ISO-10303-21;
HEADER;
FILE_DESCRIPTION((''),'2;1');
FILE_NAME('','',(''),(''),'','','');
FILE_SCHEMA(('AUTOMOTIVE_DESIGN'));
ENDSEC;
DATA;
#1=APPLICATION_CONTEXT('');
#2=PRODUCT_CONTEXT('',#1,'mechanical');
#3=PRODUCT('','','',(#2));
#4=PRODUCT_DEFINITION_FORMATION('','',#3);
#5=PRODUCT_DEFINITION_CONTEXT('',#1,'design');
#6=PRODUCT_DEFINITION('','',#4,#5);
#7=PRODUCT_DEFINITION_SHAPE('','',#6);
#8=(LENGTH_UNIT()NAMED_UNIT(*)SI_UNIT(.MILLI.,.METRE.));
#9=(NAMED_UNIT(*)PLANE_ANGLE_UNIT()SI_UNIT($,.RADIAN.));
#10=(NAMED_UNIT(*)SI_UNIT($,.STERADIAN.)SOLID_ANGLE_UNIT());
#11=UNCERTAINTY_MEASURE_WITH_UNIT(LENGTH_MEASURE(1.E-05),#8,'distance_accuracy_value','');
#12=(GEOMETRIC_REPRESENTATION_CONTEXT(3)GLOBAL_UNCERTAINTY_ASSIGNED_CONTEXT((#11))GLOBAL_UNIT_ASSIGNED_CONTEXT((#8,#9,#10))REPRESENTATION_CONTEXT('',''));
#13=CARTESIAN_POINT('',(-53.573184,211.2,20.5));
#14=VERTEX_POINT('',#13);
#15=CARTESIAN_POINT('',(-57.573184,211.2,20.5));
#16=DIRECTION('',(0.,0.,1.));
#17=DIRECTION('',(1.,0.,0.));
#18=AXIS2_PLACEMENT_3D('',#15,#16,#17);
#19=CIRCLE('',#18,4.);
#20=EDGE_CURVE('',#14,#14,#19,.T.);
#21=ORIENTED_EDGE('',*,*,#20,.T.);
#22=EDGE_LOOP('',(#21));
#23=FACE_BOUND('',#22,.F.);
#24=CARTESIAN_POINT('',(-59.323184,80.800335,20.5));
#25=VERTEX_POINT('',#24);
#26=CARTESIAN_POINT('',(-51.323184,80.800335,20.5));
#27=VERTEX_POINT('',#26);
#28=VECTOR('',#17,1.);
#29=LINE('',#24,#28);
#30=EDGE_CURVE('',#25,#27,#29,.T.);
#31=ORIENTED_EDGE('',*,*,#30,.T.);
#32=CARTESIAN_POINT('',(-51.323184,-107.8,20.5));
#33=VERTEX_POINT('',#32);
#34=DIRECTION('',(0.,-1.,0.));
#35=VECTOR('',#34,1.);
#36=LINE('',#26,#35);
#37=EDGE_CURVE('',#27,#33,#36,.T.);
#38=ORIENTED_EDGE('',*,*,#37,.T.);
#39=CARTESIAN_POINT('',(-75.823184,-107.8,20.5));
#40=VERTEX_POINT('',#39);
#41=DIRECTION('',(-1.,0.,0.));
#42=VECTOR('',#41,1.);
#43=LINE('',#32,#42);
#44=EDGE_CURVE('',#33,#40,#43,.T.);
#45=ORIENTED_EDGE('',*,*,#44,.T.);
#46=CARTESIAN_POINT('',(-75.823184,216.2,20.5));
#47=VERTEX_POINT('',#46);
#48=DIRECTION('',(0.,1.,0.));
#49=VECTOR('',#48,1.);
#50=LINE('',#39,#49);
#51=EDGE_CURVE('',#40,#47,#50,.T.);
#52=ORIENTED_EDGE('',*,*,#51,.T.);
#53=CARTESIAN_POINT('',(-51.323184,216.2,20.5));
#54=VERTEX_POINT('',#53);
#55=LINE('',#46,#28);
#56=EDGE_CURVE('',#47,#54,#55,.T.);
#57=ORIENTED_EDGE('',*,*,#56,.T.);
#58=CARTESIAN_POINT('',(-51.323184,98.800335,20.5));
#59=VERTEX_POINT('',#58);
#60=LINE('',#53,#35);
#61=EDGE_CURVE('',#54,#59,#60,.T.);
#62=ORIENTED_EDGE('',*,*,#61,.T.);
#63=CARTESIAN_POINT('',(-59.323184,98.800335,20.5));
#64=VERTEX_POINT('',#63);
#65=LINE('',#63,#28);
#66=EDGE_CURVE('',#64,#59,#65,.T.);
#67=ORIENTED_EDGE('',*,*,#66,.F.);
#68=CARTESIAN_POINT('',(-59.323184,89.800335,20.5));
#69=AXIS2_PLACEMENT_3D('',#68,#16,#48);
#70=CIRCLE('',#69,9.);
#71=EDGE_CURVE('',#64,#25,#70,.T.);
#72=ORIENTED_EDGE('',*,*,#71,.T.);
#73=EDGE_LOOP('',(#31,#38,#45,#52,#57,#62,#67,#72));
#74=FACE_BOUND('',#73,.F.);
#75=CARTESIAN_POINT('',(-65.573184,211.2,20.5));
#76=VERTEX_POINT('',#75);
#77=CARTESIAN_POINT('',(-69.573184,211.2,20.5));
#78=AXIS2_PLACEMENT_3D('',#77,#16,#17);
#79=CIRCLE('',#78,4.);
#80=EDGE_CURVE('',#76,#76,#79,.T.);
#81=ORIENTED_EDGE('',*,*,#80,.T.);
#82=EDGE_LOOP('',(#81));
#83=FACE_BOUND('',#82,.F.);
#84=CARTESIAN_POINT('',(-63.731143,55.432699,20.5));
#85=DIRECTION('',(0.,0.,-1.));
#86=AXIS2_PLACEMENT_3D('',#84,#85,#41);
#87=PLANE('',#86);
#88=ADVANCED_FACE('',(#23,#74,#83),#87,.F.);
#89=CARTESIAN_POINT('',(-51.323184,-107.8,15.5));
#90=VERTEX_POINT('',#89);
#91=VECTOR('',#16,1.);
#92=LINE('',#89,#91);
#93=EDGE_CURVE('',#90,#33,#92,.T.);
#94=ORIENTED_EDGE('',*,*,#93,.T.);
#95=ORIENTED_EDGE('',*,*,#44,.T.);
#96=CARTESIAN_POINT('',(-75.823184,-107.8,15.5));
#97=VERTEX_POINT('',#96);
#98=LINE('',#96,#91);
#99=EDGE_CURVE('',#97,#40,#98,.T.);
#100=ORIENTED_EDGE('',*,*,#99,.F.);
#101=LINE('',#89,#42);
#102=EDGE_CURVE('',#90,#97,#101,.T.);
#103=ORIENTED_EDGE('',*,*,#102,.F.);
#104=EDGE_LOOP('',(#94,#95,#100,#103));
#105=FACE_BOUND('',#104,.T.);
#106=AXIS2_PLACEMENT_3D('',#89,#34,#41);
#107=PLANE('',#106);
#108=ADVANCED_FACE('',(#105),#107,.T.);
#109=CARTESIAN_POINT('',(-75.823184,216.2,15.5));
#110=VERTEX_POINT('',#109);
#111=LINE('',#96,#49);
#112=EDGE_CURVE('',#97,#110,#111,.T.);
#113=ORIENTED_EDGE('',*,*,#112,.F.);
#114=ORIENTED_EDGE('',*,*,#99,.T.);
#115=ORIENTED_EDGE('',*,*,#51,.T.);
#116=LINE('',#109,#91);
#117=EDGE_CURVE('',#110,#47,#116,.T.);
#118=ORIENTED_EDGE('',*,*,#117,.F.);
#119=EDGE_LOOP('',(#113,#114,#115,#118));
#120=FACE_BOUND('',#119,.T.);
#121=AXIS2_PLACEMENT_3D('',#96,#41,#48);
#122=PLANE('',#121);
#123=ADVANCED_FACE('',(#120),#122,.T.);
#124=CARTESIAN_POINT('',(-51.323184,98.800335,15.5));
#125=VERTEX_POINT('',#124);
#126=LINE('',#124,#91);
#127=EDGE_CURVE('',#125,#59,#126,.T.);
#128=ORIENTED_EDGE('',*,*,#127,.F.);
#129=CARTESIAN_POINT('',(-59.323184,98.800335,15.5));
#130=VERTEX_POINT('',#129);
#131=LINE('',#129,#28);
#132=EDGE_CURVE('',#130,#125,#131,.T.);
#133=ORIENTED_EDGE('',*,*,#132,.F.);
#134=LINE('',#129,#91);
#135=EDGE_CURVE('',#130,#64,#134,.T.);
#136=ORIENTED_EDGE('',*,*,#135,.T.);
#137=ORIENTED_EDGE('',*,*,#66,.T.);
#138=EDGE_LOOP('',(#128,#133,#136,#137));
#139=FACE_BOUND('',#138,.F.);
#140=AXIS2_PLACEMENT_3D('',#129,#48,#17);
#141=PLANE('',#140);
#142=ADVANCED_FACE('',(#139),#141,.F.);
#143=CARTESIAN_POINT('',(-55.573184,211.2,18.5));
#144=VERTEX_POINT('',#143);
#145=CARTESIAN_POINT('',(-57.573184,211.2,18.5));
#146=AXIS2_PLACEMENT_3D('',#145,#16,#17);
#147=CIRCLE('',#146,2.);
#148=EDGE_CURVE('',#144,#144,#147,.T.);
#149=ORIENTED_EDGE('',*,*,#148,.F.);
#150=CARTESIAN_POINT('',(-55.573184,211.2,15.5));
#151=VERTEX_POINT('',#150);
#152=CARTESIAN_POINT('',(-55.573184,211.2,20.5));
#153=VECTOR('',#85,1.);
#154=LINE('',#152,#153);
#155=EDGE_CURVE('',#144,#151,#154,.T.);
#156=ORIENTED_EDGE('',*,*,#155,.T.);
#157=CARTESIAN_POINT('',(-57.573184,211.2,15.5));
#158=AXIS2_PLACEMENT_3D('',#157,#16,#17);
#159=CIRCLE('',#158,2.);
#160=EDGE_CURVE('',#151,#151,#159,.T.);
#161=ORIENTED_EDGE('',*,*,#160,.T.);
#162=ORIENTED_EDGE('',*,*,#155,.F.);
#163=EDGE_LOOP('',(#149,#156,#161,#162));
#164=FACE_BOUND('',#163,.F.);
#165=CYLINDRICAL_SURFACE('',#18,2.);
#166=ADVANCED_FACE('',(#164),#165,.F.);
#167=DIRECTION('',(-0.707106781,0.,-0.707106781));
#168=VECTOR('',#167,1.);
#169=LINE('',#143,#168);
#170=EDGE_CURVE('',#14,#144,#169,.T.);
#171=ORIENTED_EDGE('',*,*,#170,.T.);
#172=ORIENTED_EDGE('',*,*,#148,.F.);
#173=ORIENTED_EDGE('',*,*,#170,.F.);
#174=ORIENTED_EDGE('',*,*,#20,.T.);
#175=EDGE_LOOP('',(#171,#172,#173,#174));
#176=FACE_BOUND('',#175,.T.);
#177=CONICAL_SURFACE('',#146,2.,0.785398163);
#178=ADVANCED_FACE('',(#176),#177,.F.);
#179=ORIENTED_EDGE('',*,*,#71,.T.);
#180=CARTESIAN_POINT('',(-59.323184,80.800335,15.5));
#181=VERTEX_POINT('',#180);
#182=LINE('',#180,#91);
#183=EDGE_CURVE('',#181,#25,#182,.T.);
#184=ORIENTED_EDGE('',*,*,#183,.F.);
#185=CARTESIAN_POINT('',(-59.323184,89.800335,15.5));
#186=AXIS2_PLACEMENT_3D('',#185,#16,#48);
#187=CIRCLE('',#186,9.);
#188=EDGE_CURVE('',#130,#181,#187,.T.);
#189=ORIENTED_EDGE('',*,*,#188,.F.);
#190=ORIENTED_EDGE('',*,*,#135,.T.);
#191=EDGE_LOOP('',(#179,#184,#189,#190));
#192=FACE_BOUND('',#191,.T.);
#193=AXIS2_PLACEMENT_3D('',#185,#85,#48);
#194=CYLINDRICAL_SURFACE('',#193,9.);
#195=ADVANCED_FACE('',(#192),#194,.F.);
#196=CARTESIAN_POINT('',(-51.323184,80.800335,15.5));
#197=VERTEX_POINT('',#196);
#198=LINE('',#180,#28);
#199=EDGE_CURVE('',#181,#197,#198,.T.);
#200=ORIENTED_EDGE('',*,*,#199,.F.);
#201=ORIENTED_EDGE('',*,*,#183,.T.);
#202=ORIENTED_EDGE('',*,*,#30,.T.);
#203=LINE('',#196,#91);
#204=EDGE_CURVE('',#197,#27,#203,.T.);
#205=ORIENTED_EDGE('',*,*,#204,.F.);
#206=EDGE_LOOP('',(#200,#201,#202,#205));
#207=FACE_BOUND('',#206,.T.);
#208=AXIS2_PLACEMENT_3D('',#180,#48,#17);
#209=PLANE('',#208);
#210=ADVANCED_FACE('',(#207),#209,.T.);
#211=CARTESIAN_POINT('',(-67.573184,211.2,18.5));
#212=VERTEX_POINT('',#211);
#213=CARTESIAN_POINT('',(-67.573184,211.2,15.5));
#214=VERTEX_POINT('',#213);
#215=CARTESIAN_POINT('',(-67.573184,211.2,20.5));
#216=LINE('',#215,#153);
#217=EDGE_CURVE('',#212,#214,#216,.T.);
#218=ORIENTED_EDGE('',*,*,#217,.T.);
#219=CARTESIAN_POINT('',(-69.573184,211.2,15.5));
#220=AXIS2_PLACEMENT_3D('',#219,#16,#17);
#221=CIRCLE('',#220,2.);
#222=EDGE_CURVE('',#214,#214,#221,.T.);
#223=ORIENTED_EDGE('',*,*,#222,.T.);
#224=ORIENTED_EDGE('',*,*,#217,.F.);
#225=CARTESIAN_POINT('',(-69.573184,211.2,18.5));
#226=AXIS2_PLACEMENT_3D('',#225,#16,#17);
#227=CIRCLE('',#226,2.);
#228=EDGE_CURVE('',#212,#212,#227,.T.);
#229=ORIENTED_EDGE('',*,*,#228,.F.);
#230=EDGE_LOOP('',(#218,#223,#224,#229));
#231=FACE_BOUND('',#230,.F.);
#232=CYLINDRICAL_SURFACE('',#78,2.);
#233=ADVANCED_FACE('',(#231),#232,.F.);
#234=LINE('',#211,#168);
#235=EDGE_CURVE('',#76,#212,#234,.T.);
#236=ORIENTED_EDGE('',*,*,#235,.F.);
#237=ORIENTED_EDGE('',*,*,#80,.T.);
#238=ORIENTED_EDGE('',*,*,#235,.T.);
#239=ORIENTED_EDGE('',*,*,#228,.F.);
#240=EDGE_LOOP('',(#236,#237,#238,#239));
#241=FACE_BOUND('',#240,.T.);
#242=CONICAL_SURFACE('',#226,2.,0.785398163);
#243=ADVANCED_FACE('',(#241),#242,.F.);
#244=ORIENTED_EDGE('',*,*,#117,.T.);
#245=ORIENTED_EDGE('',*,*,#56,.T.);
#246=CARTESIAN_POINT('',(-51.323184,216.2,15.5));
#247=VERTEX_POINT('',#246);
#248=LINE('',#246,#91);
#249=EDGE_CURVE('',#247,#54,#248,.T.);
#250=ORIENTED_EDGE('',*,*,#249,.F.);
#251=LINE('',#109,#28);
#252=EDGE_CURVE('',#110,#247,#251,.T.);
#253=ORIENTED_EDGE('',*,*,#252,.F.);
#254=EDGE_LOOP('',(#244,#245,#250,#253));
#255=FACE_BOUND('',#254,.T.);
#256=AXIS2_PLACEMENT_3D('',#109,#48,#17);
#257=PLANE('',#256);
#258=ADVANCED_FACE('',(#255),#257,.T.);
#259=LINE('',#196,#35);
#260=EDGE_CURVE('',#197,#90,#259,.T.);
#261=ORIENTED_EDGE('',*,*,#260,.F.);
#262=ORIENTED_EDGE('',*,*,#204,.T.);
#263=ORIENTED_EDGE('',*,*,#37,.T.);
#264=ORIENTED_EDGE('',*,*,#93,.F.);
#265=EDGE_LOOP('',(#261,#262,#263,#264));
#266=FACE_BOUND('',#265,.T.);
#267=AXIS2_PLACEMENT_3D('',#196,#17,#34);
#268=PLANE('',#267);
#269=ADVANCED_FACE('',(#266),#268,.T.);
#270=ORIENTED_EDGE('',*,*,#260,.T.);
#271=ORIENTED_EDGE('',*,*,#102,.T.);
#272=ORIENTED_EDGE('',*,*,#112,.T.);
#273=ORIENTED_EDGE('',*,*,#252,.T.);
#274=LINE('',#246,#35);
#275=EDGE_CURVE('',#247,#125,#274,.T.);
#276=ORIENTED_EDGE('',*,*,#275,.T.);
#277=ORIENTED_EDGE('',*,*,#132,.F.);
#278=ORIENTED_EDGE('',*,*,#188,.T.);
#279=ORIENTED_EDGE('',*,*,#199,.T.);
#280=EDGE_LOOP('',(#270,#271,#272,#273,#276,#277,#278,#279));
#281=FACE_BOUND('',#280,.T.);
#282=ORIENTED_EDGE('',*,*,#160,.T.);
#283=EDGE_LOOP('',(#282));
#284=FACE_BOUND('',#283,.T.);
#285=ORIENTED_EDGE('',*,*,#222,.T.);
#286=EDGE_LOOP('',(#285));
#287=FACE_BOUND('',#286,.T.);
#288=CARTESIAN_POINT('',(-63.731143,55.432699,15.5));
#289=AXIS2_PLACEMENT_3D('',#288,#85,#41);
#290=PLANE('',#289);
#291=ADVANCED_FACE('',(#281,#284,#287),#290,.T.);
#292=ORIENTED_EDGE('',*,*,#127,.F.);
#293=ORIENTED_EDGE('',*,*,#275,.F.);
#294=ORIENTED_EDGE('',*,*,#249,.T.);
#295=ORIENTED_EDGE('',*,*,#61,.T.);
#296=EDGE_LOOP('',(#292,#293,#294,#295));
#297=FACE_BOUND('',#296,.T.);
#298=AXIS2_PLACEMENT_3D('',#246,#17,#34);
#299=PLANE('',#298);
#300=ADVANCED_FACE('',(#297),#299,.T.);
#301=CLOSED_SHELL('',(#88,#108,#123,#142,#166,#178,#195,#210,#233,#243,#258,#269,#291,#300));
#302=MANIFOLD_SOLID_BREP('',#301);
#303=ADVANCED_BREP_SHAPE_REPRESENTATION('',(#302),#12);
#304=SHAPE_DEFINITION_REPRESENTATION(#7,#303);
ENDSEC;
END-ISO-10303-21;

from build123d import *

# Parameters (mm, degrees)
PAD028_DEPTH    = 5
SKETCH060_R     = 2
POCKET038_DEPTH = 5.001
CHAMFER022_SIZE = 2


with BuildPart() as part:
    # Sketch055 → Pad028 (new body)
    with BuildSketch(Plane.XY):
        with BuildLine():
            Line((98.676816, 80.800335), (98.676816, -107.8))
            Line((98.676816, -107.8), (74.176816, -107.8))
            Line((74.176816, -107.8), (74.176816, 216.2))
            Line((74.176816, 216.2), (98.676816, 216.2))
            Line((98.676816, 216.2), (98.676816, 98.800335))
            Line((90.676816, 98.800335), (98.676816, 98.800335))
            ThreePointArc((90.676816, 98.800335), (81.676816, 89.800335), (90.676816, 80.800335))
            Line((90.676816, 80.800335), (98.676816, 80.800335))
        make_face()
    extrude(amount=PAD028_DEPTH)

    # Sketch060 (on Face10 of Pad028) → Pocket038 (cut, through all)
    with BuildSketch(Plane.XY.offset(5)):
        with Locations((80.426816, 211.2)):
            Circle(SKETCH060_R)
        with Locations((92.426816, 211.2)):
            Circle(SKETCH060_R)
    extrude(amount=-POCKET038_DEPTH, mode=Mode.SUBTRACT)

    # Chamfer022
    chamfer022_edges = [part.edges().sort_by_distance(p)[0] for p in [
        (78.426816, 211.2, 5),
        (90.426816, 211.2, 5),
    ]]
    chamfer(chamfer022_edges, length=CHAMFER022_SIZE)


with BuildPart() as part_1:
    # Body021 placement: moved
    add(part.part.moved(Location((-150, 0, 15.5))))


solid = part_1.part
